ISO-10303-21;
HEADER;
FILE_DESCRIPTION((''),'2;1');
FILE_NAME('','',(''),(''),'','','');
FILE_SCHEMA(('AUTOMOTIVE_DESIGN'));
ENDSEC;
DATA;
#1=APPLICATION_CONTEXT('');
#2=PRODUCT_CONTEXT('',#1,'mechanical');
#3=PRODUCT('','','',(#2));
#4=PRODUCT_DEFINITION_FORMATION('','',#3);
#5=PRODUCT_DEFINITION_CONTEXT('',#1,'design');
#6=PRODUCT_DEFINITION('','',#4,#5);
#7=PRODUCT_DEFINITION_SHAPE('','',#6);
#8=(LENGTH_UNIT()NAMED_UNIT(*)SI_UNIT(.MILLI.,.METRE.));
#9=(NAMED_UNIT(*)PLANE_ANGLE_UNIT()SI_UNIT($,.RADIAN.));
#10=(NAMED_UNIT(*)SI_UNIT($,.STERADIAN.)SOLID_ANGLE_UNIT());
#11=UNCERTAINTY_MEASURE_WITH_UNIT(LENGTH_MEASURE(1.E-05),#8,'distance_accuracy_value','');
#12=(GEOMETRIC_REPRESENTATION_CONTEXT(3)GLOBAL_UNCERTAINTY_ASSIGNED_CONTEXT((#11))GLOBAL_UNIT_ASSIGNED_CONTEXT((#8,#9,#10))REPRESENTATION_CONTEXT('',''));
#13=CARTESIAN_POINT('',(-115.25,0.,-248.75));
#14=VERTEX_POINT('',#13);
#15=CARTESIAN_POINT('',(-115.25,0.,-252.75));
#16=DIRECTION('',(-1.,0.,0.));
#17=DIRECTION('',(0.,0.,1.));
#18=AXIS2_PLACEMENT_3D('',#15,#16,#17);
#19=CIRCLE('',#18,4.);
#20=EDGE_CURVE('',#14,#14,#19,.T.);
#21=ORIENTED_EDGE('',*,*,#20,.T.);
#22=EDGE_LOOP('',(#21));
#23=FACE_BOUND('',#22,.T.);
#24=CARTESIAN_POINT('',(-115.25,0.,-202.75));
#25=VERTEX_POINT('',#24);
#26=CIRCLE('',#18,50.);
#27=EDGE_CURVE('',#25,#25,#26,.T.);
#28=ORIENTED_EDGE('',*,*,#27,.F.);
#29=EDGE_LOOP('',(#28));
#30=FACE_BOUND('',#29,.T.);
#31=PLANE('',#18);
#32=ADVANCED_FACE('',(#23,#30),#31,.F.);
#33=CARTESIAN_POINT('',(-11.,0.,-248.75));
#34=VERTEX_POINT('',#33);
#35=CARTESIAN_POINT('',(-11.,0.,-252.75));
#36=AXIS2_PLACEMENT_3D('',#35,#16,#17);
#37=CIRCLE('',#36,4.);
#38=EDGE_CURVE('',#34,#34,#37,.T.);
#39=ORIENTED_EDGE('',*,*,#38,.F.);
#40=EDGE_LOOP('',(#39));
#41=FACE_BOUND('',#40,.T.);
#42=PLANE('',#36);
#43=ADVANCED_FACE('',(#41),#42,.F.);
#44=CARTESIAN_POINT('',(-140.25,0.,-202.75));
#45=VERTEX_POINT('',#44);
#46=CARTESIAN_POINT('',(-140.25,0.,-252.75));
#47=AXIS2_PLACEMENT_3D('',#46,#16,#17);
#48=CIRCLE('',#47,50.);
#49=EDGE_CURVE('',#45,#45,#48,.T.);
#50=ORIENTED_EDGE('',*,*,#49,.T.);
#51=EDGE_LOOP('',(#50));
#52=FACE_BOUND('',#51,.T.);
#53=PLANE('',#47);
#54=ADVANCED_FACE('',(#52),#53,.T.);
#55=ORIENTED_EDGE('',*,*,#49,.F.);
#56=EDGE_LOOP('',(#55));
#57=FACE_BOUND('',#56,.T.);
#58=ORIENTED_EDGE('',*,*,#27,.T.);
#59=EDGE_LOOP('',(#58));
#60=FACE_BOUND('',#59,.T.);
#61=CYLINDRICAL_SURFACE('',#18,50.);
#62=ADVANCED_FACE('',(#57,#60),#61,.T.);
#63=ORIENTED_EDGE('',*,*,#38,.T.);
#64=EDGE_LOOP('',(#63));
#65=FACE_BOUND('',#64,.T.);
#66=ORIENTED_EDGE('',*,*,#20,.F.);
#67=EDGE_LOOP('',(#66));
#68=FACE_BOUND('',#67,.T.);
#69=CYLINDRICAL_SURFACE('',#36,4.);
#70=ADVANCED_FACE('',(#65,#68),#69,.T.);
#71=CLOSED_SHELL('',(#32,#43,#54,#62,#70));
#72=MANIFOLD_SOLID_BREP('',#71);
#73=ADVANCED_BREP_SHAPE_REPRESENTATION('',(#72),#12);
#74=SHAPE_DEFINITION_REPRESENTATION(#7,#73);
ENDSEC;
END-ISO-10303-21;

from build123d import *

# Parameters (mm, degrees)
SKETCH2_R           = 50
BOSS_EXTRUDE1_DEPTH = 25
SKETCH3_R           = 4
BOSS_EXTRUDE2_DEPTH = 129.25


with BuildPart() as part:
    # Sketch2 → Boss-Extrude1 (new body)
    with BuildSketch(Plane(origin=(-140.25, 0, -252.75), x_dir=(0, 0, 1), z_dir=(-1, 0, 0))):
        Circle(SKETCH2_R)
    extrude(amount=-BOSS_EXTRUDE1_DEPTH)

    # Sketch3 → Boss-Extrude2 (add)
    with BuildSketch(Plane(origin=(-140.25, 0, -252.75), x_dir=(0, 0, 1), z_dir=(-1, 0, 0))):
        Circle(SKETCH3_R)
    extrude(amount=-BOSS_EXTRUDE2_DEPTH)


solid = part.part
